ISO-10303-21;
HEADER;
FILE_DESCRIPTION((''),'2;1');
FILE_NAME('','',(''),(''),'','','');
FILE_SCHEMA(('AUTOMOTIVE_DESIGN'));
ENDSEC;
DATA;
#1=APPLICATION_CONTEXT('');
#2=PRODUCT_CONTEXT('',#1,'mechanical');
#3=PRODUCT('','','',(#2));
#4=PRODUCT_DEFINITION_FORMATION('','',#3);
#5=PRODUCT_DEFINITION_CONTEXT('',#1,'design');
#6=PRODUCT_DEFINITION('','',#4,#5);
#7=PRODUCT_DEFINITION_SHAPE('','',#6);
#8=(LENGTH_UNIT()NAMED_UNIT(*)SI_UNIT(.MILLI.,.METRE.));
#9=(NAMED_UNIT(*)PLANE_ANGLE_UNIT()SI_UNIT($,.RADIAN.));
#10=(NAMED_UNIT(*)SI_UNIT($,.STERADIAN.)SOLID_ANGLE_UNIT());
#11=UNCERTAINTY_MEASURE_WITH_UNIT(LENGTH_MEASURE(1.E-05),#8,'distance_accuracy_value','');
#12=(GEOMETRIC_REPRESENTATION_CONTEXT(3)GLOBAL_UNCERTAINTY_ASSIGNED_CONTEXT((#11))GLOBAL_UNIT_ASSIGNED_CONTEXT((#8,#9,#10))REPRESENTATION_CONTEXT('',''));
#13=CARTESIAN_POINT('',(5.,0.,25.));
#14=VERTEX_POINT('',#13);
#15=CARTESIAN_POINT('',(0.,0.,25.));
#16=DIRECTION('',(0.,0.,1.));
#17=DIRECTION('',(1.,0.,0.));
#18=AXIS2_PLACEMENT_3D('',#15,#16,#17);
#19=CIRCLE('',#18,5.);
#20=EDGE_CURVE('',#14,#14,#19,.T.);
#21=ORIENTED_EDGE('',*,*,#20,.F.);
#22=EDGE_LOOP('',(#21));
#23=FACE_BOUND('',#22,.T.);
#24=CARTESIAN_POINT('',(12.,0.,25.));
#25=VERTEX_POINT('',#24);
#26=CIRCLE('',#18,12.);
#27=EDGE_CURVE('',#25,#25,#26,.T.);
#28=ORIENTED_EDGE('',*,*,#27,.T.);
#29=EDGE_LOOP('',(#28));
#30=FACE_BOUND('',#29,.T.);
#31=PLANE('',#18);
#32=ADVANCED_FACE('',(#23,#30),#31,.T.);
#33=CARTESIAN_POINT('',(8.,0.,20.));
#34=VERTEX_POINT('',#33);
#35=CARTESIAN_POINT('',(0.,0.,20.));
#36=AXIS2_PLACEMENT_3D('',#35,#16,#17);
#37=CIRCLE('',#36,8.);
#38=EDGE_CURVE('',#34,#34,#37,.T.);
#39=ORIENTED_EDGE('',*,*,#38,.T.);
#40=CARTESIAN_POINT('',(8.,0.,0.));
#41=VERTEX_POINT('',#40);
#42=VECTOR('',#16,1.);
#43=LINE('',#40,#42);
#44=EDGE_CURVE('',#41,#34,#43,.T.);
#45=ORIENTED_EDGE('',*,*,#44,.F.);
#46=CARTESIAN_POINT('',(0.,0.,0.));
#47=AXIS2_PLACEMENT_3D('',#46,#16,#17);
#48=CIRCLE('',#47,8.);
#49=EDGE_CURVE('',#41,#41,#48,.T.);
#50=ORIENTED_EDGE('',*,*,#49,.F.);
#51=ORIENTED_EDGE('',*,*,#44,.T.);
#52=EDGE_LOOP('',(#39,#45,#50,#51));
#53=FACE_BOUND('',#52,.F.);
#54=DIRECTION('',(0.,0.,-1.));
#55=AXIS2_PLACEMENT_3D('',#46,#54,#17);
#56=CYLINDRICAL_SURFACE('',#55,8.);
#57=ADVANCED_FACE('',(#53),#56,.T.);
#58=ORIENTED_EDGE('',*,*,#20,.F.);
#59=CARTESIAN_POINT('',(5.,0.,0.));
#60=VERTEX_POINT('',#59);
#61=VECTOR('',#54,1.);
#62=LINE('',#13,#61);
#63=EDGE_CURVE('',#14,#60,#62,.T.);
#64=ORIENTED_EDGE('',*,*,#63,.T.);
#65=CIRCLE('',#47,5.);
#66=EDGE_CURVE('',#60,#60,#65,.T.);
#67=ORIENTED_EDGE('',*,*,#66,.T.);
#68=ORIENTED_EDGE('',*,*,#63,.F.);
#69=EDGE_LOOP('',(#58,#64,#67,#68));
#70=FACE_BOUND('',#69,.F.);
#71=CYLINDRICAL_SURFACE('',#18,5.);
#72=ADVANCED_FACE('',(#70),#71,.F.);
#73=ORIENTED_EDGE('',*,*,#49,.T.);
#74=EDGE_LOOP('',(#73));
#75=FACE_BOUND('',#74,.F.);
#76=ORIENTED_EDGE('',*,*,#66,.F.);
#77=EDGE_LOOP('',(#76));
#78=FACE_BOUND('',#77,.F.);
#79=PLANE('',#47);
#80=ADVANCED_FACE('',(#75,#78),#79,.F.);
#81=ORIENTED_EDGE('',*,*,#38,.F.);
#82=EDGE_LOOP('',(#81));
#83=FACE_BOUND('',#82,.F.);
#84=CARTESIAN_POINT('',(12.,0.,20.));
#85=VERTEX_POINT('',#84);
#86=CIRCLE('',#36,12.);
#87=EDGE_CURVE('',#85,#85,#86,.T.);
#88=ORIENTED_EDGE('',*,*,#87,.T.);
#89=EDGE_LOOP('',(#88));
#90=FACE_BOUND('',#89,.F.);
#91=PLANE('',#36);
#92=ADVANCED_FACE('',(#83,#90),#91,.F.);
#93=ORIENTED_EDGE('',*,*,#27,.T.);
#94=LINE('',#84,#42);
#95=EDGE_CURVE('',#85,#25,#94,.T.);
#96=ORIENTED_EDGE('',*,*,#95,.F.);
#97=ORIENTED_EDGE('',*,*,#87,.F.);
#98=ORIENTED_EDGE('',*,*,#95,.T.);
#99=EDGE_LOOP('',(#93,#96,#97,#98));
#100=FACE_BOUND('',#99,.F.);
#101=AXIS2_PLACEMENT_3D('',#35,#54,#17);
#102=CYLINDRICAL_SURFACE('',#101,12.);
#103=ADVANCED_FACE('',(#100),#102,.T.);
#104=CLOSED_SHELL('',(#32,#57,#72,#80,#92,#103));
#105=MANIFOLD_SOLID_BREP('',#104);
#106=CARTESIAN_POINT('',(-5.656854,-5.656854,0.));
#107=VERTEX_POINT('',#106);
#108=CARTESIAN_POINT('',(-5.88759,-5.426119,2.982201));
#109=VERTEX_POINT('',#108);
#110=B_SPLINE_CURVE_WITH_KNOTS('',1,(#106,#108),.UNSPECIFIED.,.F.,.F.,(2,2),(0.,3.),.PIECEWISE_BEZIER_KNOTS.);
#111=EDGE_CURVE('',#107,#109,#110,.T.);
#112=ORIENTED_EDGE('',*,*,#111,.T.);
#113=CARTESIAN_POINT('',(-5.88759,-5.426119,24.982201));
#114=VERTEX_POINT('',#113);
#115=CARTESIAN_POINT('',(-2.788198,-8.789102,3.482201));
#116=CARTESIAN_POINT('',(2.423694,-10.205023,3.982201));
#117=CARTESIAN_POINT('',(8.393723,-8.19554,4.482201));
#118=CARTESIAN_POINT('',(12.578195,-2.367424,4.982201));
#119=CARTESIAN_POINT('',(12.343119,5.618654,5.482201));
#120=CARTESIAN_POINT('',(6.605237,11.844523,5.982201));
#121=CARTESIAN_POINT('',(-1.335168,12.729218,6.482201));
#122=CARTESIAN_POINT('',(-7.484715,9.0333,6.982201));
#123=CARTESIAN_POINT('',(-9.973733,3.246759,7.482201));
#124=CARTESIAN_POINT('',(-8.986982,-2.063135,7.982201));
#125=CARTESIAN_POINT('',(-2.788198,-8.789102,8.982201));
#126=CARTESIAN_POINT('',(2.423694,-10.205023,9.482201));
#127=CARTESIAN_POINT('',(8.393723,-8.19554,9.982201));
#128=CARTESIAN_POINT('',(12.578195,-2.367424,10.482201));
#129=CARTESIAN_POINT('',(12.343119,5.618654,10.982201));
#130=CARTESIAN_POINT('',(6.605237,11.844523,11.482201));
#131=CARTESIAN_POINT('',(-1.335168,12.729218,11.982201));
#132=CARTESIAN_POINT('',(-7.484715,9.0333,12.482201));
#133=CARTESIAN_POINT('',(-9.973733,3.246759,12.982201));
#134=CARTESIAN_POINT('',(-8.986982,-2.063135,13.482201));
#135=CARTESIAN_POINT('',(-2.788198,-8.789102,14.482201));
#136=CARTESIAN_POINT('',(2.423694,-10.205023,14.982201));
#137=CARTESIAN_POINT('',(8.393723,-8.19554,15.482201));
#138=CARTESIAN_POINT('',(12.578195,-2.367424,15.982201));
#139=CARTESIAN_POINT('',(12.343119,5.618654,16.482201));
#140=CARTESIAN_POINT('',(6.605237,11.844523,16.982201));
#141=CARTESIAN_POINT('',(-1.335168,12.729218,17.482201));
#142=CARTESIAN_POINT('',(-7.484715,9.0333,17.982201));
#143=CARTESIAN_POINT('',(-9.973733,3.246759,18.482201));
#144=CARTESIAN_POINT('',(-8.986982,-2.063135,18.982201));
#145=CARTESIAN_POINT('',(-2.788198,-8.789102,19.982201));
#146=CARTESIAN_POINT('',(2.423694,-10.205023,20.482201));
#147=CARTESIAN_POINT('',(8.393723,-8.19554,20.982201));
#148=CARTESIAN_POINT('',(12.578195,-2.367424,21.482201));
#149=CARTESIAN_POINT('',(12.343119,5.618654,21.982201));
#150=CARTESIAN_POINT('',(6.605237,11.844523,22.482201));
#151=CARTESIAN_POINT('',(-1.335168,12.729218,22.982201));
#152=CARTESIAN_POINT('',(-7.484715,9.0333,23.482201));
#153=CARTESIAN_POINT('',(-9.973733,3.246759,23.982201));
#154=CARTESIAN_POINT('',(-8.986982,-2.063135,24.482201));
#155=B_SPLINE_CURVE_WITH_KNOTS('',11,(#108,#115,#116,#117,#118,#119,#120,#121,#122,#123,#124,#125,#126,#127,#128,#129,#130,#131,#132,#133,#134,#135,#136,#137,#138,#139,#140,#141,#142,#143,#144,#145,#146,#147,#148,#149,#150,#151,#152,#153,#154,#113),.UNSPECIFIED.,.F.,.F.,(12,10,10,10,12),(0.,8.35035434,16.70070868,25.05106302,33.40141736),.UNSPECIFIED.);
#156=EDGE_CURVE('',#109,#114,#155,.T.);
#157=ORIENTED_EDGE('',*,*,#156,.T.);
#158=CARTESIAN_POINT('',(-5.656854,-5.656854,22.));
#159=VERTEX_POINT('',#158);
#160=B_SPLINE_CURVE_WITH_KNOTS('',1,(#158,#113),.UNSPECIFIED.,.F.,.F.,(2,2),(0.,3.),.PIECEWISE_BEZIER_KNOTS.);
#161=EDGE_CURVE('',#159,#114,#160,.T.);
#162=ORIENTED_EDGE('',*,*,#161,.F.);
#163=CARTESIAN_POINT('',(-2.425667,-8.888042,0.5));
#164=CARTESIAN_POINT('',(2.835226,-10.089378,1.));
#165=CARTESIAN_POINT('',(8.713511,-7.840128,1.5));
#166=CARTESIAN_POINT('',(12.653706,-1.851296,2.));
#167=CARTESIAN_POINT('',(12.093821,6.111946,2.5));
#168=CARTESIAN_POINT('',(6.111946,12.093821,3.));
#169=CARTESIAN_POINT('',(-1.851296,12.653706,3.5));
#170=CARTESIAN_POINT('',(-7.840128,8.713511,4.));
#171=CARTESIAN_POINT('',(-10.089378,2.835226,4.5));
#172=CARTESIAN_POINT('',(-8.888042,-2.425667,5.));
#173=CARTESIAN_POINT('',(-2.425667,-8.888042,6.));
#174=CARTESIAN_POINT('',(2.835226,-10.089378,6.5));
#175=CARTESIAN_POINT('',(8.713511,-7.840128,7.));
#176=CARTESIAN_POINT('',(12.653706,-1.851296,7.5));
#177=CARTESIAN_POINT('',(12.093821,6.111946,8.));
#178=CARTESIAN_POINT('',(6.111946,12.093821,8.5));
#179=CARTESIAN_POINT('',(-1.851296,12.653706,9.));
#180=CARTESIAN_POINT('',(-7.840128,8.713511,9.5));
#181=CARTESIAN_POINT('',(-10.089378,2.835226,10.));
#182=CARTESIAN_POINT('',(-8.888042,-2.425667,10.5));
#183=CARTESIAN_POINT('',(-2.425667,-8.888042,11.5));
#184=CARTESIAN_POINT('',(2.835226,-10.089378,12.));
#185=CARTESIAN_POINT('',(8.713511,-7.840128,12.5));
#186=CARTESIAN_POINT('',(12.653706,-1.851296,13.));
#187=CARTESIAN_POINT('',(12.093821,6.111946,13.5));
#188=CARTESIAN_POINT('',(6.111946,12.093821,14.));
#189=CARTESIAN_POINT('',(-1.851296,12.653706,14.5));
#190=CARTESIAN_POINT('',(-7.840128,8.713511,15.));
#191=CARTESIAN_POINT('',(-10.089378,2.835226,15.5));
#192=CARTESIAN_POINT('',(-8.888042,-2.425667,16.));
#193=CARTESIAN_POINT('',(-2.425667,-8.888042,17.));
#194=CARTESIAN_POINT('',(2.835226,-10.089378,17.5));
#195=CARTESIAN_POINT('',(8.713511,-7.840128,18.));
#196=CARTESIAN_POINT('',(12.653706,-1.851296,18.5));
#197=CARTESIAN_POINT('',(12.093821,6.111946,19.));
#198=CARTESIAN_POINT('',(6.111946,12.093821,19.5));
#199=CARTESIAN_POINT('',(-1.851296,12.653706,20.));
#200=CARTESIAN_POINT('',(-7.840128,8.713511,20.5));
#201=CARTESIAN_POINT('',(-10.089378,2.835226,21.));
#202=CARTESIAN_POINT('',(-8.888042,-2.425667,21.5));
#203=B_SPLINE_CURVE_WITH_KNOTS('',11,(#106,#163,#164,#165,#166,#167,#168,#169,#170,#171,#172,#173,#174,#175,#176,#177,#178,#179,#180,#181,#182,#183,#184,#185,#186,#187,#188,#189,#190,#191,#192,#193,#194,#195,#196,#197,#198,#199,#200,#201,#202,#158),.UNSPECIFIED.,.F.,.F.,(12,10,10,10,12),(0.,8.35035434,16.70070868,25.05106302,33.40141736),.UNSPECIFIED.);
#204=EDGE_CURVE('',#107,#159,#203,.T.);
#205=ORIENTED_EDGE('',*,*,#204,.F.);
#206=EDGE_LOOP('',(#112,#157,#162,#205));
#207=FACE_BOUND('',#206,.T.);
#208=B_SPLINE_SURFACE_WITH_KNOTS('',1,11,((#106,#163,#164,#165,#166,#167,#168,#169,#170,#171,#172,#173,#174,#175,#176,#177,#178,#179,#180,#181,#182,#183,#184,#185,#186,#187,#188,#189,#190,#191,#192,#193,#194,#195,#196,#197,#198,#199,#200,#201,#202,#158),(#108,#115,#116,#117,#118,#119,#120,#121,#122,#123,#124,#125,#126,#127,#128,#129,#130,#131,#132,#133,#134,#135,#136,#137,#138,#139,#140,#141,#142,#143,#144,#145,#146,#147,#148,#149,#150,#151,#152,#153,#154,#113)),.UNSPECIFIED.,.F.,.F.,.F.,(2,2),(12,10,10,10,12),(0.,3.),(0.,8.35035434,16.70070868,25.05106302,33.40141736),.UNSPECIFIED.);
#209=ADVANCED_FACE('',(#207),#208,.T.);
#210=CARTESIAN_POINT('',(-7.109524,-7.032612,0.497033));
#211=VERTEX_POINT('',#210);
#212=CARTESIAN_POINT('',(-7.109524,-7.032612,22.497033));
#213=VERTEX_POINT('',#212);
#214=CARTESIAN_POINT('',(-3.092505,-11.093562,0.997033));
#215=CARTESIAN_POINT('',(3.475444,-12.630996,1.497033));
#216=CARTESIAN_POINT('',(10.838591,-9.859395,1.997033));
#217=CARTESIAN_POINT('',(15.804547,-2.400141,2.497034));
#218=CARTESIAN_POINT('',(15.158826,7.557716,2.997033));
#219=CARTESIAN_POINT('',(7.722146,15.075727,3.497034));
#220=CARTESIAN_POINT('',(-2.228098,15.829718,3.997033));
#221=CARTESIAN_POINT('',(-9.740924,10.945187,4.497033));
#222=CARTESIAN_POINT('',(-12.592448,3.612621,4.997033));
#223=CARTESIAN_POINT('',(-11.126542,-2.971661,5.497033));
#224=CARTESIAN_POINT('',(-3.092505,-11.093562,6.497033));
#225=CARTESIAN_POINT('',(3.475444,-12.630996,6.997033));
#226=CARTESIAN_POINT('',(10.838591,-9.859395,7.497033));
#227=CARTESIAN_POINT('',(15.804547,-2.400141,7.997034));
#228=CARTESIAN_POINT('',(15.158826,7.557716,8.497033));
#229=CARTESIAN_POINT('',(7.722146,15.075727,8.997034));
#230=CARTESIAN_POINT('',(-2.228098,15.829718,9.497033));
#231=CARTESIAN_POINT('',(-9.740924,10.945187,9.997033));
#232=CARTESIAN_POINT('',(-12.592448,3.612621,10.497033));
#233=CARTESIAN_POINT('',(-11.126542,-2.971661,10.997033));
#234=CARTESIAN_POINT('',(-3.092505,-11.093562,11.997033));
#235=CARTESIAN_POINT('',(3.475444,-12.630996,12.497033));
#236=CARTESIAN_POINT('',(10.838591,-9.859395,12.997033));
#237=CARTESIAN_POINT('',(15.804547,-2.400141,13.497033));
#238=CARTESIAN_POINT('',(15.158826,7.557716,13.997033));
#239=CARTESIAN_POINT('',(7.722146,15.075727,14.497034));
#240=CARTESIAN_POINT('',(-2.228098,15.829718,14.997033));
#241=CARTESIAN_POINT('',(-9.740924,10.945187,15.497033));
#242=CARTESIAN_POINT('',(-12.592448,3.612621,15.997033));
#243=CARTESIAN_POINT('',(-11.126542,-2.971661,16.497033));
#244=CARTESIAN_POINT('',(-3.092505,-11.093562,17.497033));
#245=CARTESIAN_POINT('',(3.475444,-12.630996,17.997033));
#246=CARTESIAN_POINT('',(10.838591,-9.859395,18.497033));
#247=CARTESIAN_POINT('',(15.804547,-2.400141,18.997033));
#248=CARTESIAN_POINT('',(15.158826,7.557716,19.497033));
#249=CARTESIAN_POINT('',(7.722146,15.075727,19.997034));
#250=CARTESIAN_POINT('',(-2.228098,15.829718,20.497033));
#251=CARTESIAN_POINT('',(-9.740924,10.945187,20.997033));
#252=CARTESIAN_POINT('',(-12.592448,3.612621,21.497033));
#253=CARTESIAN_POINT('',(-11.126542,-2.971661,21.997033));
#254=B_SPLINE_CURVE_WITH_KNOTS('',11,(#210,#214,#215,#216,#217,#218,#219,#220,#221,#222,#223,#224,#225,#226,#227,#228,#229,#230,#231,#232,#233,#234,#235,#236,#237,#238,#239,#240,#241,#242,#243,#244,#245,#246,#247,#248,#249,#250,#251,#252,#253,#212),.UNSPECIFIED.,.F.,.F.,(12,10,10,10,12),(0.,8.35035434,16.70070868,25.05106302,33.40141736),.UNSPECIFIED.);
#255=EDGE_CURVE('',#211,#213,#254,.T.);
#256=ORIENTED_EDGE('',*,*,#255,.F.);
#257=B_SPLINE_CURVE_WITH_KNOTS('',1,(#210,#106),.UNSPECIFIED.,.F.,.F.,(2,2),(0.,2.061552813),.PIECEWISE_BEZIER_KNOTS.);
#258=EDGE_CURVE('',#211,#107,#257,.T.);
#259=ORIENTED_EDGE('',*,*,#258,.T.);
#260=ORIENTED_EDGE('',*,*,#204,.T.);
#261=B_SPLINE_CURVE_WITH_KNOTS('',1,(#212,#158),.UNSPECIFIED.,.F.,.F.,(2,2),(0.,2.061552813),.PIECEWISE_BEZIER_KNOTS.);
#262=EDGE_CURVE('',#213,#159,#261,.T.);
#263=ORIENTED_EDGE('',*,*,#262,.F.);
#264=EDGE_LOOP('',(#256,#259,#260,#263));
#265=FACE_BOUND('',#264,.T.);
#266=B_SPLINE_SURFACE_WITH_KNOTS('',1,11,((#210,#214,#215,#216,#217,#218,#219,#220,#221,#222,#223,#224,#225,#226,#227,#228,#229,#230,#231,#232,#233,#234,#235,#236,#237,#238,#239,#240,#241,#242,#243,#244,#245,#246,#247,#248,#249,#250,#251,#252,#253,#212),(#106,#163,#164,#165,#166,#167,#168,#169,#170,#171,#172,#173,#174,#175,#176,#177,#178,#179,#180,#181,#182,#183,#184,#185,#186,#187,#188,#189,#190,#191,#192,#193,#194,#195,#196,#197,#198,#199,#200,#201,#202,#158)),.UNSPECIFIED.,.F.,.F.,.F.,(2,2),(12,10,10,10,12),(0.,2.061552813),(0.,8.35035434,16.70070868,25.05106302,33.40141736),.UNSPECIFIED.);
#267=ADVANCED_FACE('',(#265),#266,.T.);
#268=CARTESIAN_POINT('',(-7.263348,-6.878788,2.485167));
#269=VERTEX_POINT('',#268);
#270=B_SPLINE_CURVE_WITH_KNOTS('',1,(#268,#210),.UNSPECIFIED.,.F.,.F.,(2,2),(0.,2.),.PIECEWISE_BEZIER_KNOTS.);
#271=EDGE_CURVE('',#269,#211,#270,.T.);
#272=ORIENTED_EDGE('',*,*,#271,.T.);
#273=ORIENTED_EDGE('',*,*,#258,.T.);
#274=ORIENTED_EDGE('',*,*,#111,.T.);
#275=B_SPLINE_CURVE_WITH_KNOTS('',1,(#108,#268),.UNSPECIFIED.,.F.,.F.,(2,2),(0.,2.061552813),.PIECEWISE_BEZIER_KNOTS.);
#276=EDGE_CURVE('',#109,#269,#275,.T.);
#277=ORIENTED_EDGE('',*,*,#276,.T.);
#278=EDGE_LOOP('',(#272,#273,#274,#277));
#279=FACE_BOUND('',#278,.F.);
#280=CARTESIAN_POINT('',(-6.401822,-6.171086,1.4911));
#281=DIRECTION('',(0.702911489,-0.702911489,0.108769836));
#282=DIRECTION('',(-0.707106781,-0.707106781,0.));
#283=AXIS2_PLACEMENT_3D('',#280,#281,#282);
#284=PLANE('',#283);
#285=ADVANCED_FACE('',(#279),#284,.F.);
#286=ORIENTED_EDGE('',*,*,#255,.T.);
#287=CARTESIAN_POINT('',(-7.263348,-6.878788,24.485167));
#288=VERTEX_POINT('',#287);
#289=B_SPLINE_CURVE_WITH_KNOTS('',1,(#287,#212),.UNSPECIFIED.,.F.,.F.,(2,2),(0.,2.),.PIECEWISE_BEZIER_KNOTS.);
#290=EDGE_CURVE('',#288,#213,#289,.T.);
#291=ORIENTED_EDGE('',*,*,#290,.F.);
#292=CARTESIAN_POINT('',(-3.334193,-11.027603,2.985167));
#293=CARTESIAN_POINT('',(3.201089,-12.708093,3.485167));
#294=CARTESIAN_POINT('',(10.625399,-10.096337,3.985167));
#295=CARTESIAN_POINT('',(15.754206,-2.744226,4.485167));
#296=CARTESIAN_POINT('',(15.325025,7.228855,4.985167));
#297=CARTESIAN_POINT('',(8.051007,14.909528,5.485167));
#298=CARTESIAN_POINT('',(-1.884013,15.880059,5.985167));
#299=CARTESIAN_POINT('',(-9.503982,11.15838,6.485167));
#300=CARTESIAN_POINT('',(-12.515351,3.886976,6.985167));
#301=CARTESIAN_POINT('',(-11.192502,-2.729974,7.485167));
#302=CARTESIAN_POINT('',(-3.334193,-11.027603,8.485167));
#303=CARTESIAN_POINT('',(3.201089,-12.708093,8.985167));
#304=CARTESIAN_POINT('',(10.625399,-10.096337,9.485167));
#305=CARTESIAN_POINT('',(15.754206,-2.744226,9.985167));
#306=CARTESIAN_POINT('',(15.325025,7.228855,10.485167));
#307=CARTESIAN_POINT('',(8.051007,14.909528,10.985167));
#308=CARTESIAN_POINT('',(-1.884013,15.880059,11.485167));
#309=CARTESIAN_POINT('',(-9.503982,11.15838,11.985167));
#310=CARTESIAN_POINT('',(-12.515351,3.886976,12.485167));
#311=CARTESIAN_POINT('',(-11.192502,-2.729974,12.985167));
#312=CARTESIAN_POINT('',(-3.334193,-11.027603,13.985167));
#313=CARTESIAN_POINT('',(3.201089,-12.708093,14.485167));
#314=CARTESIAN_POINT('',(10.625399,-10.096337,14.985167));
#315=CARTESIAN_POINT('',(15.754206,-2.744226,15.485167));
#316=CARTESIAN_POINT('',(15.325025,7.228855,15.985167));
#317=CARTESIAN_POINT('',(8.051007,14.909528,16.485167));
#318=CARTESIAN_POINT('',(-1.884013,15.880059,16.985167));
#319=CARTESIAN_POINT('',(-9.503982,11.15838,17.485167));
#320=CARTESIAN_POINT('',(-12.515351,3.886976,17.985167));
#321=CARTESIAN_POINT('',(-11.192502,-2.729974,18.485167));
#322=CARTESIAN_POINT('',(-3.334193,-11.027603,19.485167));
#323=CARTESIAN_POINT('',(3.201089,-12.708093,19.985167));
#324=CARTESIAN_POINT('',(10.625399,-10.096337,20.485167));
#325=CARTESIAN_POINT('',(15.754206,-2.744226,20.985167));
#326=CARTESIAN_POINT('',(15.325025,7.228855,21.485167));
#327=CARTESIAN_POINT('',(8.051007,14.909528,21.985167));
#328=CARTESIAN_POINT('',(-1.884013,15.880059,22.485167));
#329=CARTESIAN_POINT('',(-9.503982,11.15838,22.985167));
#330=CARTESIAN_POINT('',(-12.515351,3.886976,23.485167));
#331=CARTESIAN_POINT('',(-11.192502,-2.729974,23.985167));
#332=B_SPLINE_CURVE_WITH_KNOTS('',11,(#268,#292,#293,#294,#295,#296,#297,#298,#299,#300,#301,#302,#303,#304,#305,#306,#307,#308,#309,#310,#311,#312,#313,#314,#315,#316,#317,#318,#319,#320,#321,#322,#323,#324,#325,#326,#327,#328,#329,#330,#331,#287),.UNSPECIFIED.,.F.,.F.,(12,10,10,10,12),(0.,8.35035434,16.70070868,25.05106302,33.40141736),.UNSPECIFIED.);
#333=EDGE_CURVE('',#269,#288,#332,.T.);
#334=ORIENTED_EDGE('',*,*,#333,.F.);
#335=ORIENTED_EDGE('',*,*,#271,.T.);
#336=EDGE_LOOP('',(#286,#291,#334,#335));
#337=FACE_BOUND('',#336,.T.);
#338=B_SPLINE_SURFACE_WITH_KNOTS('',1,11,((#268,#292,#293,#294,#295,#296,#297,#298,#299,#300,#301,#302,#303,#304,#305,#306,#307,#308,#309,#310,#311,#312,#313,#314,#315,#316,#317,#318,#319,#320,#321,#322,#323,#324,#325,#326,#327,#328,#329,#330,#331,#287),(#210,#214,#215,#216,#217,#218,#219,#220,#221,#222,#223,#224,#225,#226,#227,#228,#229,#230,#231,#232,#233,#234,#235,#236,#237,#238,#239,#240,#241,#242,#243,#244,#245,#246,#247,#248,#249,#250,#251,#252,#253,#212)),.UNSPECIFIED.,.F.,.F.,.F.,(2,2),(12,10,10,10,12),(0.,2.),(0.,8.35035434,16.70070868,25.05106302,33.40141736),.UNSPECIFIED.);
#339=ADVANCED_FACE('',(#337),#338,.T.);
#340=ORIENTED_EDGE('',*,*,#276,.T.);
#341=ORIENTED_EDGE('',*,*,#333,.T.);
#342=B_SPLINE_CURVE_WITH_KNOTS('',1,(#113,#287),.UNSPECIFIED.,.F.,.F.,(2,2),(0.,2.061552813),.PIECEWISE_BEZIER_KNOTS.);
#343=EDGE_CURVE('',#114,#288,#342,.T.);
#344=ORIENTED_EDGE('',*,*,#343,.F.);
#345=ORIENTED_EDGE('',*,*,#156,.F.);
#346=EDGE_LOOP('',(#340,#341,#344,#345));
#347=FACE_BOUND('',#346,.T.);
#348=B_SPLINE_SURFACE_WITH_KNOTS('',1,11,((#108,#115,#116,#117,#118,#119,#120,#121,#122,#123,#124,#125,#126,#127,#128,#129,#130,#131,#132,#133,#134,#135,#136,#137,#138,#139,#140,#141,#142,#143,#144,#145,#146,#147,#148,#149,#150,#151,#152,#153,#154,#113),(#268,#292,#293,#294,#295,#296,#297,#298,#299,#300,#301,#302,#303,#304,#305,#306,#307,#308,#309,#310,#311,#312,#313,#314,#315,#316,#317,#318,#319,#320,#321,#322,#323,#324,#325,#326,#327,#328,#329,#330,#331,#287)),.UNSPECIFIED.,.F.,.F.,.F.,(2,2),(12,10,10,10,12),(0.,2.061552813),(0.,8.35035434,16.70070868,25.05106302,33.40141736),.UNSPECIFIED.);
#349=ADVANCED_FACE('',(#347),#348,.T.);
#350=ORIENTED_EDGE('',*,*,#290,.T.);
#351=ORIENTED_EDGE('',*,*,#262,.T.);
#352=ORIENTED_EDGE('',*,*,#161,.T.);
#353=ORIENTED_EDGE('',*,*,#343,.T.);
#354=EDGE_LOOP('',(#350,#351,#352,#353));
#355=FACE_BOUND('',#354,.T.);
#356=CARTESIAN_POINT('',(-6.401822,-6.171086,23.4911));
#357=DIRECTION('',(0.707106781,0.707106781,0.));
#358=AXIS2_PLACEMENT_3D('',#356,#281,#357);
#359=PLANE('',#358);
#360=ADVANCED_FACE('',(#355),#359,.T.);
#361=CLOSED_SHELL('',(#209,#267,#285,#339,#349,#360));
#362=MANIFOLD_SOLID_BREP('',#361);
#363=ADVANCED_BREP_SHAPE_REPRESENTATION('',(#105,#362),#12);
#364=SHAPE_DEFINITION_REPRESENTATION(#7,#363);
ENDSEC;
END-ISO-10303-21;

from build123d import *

# Parameters (mm, degrees)
SKETCH_5_R               = 8
EXTRUDE_3_DEPTH          = 20
SKETCH_7_R               = 12
EXTRUDE_4_DEPTH          = 5
SWEEP_2_PITCH            = 5.5
SWEEP_2_HEIGHT           = 22
SWEEP_2_RADIUS           = 8
SWEEP_2_START_ANGLE      = -135
SKETCH_9_R               = 5
CUT_EXTRUDE_1_DEPTH      = 5
CUT_EXTRUDE_1_DEPTH_BACK = 35


with BuildPart() as part:
    # 草图5 → 凸台-拉伸3 (new body)
    with BuildSketch(Plane.XY):
        Circle(SKETCH_5_R)
    extrude(amount=EXTRUDE_3_DEPTH)

    # 草图7 → 凸台-拉伸4 (add)
    with BuildSketch(Plane.XY.offset(20)):
        Circle(SKETCH_7_R)
    extrude(amount=EXTRUDE_4_DEPTH)

    # 草图9 → 切除-拉伸1 (cut, two sides)
    with BuildSketch(Plane.XY.offset(25)) as cut_extrude_1_sk:
        Circle(SKETCH_9_R)
    extrude(amount=CUT_EXTRUDE_1_DEPTH, mode=Mode.SUBTRACT)
    extrude(cut_extrude_1_sk.sketch, amount=-CUT_EXTRUDE_1_DEPTH_BACK, mode=Mode.SUBTRACT)


with BuildPart() as body_2:
    # 扫描2: sweep along a helix
    with BuildLine() as sweep_2_path:
        add(Helix(SWEEP_2_PITCH, SWEEP_2_HEIGHT, SWEEP_2_RADIUS, center=(0, 0, 0), direction=(0, 0, 1), mode=Mode.PRIVATE).rotate(Axis((0, 0, 0), (0, 0, 1)), SWEEP_2_START_ANGLE))
    # 草图8 → 扫描2 (sweep)
    with BuildSketch(Plane(origin=(-5.656854249, -5.656854249, 0), x_dir=(0.076911889, -0.076911889, -0.994066961), z_dir=(0.702911489, -0.702911489, 0.108769836))):
        Polygon((0, 0), (-3, 0), (-2.5, -2), (-0.5, -2), align=None)
    sweep(path=sweep_2_path.line, is_frenet=True)


solid = Compound([part.part, body_2.part])
